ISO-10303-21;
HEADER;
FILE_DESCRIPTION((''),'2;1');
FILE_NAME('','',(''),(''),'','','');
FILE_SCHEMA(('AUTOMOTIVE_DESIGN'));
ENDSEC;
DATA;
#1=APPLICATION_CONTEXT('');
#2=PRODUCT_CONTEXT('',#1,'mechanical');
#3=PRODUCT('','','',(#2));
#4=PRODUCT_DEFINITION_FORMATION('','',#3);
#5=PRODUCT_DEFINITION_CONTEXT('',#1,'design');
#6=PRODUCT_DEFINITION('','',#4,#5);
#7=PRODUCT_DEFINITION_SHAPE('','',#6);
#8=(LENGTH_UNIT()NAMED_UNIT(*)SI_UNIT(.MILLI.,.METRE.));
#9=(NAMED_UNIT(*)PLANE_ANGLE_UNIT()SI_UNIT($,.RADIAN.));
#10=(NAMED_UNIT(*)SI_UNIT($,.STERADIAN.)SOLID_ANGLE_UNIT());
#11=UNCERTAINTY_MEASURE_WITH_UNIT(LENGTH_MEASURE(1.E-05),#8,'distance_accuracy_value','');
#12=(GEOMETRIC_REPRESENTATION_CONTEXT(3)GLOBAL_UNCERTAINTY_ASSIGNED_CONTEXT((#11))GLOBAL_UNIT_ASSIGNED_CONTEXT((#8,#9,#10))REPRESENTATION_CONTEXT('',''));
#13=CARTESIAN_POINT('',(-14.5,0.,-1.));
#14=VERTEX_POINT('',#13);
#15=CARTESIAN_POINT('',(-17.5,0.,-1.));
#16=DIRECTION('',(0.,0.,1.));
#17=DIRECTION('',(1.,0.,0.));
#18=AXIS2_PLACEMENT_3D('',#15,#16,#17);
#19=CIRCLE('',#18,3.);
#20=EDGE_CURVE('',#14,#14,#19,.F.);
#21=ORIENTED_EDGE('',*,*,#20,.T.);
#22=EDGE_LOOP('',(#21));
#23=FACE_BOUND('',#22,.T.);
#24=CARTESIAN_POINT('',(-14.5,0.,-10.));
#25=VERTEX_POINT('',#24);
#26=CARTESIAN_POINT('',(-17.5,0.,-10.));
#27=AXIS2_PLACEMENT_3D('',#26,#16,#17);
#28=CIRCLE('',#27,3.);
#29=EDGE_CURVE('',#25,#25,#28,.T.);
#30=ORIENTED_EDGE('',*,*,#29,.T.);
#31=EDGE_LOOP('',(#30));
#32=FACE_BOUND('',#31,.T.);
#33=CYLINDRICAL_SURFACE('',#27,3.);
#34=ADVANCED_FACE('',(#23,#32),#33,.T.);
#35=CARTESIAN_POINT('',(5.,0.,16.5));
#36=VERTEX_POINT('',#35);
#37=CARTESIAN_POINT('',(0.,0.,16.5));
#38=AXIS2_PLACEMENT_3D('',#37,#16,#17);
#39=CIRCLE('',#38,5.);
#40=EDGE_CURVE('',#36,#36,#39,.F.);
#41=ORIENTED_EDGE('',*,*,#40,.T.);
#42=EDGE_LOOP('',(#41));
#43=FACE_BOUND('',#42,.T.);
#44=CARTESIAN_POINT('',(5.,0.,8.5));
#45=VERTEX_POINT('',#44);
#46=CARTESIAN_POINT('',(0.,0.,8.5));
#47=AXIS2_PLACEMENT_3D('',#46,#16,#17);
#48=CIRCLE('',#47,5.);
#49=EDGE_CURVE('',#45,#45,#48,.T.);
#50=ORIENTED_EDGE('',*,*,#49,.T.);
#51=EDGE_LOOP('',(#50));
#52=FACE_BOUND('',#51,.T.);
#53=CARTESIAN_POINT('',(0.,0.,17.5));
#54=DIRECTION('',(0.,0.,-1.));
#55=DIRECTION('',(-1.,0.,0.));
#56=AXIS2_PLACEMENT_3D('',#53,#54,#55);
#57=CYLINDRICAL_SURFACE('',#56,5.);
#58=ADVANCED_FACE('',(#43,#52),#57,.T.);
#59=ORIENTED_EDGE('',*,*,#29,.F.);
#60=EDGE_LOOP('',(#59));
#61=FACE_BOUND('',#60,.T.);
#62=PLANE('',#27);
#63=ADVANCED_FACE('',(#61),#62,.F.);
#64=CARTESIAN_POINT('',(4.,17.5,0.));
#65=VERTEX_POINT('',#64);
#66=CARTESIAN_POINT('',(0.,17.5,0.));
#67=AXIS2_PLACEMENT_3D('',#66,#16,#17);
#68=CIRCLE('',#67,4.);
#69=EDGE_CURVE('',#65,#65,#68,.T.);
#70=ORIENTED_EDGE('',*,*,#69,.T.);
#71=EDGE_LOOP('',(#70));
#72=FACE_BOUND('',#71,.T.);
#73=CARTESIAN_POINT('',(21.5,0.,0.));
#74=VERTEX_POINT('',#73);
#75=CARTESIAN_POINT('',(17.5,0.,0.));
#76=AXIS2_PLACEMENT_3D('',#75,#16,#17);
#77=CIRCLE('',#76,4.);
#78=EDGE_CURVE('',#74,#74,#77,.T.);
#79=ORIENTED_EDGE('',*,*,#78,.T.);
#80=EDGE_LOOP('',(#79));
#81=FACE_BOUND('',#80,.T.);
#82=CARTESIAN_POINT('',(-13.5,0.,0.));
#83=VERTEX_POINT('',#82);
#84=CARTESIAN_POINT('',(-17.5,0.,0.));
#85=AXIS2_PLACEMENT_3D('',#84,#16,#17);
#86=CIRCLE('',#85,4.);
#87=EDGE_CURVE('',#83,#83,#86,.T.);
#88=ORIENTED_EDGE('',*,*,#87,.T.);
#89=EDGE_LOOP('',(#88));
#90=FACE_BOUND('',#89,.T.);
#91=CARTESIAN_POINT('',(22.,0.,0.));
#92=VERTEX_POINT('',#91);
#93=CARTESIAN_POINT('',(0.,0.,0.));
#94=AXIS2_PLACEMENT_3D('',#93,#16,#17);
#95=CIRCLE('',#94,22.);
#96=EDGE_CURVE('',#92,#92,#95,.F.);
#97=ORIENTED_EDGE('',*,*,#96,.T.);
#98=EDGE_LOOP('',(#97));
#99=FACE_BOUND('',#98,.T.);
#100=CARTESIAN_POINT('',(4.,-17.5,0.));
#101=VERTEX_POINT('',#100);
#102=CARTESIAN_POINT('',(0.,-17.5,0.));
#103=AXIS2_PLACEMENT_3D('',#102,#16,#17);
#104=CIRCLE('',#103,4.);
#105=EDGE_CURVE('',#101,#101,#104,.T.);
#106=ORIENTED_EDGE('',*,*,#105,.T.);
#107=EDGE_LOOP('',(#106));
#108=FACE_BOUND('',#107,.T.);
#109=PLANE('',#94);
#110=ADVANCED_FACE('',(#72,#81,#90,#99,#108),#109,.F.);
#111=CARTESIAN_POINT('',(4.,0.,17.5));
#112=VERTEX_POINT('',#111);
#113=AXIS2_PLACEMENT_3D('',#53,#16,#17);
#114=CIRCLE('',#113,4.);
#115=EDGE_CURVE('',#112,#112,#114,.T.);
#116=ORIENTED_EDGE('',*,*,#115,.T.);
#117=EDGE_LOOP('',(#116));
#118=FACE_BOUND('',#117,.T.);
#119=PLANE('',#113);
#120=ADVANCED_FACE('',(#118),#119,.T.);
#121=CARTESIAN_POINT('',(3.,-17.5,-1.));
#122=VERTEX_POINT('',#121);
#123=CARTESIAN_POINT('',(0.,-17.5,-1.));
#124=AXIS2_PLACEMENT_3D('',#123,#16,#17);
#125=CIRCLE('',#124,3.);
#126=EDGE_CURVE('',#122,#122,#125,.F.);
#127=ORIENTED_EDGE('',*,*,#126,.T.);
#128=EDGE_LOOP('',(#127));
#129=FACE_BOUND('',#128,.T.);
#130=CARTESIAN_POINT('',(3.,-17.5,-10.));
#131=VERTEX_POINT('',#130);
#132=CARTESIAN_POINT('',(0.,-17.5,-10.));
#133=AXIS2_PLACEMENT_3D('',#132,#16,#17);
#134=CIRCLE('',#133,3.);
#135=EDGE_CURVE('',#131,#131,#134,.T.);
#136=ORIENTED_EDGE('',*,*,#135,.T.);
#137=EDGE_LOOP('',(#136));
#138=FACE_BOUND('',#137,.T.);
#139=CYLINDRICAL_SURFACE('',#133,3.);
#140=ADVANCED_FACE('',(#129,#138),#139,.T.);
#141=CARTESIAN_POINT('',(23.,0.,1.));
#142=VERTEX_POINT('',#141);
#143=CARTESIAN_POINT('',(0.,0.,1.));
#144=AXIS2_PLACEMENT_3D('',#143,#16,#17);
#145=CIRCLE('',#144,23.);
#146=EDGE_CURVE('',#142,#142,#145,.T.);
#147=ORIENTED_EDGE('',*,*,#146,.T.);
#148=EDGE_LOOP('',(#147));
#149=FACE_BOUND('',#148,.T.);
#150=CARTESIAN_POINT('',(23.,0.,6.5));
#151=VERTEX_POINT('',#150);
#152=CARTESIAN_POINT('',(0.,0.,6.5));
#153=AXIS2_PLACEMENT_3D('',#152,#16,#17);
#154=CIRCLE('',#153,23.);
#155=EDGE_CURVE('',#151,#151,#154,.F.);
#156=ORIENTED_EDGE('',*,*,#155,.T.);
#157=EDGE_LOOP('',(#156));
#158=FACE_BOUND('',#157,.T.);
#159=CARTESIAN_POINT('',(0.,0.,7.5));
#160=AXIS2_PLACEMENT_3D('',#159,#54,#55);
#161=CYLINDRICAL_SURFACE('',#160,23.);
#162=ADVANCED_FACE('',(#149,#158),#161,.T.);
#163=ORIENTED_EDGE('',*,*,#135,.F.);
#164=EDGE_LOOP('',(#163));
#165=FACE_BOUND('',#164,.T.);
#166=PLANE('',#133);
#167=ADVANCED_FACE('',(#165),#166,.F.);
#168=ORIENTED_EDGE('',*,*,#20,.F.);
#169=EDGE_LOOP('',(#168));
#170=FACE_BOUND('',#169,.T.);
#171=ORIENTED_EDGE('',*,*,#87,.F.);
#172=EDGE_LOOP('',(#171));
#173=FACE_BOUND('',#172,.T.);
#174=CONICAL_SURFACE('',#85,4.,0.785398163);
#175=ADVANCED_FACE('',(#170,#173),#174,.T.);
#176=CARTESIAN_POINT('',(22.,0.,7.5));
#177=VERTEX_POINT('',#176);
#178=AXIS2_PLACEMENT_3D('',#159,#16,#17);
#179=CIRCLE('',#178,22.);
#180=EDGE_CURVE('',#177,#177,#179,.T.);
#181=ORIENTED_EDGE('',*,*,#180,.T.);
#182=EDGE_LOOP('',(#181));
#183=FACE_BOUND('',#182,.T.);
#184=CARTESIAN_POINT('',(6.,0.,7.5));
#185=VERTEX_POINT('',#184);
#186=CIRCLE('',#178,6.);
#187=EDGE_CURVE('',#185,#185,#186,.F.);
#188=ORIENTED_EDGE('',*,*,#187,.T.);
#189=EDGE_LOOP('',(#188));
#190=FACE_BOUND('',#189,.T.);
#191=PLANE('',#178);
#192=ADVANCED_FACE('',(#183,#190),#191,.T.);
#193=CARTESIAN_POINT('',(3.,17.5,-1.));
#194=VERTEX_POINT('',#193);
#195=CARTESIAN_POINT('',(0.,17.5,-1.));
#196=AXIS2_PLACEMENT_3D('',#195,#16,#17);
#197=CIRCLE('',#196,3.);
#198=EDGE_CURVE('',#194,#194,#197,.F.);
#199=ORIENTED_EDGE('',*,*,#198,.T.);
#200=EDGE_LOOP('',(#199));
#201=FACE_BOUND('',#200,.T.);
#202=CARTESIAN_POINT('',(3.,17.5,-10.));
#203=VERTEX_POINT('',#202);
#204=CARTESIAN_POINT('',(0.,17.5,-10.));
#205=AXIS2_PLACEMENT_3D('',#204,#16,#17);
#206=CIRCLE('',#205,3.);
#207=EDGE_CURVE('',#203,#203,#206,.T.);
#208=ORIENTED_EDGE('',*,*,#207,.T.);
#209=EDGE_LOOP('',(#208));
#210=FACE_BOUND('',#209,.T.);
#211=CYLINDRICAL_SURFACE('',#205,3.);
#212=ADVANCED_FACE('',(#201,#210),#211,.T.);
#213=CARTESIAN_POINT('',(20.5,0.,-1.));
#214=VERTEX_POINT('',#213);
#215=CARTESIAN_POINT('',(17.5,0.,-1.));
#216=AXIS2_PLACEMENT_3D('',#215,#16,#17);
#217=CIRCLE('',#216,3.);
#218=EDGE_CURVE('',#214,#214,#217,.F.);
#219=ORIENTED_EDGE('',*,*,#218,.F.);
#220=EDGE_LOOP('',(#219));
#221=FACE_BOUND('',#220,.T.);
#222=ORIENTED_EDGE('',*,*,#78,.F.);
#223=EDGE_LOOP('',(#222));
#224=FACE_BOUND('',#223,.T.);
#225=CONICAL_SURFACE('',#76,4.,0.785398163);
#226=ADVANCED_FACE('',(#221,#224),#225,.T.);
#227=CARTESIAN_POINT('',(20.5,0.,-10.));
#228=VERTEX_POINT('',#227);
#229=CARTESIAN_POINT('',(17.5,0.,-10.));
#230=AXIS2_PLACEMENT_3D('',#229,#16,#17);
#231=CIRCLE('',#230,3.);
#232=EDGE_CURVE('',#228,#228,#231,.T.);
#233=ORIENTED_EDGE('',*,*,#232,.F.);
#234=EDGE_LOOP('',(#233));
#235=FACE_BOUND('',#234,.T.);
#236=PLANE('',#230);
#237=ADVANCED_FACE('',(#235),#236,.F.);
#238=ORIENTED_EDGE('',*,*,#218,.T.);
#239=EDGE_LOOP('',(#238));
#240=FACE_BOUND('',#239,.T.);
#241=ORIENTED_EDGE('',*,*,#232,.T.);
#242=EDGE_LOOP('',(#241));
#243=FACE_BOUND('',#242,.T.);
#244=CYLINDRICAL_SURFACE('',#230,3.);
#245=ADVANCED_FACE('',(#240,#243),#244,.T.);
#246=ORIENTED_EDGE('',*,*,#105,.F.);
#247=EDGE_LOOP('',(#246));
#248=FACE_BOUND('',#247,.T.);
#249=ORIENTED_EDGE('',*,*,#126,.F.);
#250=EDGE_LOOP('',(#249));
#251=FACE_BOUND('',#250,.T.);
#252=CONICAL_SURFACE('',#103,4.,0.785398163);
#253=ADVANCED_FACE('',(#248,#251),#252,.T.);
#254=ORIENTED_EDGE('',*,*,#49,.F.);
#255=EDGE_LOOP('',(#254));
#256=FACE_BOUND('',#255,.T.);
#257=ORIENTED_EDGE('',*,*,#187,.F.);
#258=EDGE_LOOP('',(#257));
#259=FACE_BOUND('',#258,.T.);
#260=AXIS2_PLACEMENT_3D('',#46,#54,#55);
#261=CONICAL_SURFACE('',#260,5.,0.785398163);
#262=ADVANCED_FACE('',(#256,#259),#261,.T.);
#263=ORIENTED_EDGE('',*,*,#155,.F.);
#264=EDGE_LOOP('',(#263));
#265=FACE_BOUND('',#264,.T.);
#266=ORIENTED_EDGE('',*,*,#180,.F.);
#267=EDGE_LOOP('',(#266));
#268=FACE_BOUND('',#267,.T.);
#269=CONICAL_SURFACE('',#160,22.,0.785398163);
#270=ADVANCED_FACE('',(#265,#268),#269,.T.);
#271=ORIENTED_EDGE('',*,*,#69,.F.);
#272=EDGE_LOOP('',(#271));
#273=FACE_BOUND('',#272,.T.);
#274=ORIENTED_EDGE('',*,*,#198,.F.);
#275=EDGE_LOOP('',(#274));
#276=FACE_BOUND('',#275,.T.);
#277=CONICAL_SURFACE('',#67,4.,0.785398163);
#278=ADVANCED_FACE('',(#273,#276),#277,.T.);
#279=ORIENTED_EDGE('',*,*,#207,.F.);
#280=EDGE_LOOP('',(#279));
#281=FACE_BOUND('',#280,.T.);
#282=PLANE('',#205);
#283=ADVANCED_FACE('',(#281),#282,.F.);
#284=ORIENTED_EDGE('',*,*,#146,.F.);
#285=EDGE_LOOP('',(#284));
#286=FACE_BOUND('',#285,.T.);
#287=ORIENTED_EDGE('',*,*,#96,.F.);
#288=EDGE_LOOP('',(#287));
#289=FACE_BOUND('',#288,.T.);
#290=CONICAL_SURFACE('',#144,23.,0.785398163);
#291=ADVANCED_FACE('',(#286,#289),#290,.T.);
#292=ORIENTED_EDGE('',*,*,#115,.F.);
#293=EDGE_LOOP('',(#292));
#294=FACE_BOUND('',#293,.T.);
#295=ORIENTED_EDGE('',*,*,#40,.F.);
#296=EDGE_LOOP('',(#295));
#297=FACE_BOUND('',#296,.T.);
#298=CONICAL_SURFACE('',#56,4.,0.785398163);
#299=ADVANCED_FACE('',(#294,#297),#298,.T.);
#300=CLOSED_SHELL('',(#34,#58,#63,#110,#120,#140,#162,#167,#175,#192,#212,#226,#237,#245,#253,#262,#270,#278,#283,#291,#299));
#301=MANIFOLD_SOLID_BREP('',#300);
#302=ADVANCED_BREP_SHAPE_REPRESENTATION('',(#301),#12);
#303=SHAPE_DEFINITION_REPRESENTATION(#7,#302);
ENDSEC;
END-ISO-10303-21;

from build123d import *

# Parameters (mm, degrees)
SKETCH1_R           = 23
BOSS_EXTRUDE1_DEPTH = 7.5
SKETCH2_R           = 3
BOSS_EXTRUDE2_DEPTH = 10
SKETCH3_R           = 5
BOSS_EXTRUDE3_DEPTH = 10
CHAMFER1_SIZE       = 1


with BuildPart() as part:
    # Sketch1 → Boss-Extrude1 (new body)
    with BuildSketch(Plane.XY):
        Circle(SKETCH1_R)
    extrude(amount=BOSS_EXTRUDE1_DEPTH)

    # Sketch2 → Boss-Extrude2 (add)
    with BuildSketch(Plane.XY):
        with Locations((0, 17.5)):
            Circle(SKETCH2_R)
        with Locations((17.5, 0)):
            Circle(SKETCH2_R)
        with Locations((0, -17.5)):
            Circle(SKETCH2_R)
        with Locations((-17.5, 0)):
            Circle(SKETCH2_R)
    extrude(amount=-BOSS_EXTRUDE2_DEPTH)

    # Sketch3 → Boss-Extrude3 (add)
    with BuildSketch(Plane.XY.offset(7.5)):
        Circle(SKETCH3_R)
    extrude(amount=BOSS_EXTRUDE3_DEPTH)

    # Chamfer1
    chamfer1_edges = [part.edges().sort_by_distance(p)[0] for p in [
        (14.5, 0, 0),
        (-3, -17.5, 0),
        (-20.5, 0, 0),
        (-23, 0, 0),
        (-5, 0, 7.5),
        (-5, 0, 17.5),
        (-23, 0, 7.5),
        (-3, 17.5, 0),
    ]]
    chamfer(chamfer1_edges, length=CHAMFER1_SIZE)


solid = part.part
